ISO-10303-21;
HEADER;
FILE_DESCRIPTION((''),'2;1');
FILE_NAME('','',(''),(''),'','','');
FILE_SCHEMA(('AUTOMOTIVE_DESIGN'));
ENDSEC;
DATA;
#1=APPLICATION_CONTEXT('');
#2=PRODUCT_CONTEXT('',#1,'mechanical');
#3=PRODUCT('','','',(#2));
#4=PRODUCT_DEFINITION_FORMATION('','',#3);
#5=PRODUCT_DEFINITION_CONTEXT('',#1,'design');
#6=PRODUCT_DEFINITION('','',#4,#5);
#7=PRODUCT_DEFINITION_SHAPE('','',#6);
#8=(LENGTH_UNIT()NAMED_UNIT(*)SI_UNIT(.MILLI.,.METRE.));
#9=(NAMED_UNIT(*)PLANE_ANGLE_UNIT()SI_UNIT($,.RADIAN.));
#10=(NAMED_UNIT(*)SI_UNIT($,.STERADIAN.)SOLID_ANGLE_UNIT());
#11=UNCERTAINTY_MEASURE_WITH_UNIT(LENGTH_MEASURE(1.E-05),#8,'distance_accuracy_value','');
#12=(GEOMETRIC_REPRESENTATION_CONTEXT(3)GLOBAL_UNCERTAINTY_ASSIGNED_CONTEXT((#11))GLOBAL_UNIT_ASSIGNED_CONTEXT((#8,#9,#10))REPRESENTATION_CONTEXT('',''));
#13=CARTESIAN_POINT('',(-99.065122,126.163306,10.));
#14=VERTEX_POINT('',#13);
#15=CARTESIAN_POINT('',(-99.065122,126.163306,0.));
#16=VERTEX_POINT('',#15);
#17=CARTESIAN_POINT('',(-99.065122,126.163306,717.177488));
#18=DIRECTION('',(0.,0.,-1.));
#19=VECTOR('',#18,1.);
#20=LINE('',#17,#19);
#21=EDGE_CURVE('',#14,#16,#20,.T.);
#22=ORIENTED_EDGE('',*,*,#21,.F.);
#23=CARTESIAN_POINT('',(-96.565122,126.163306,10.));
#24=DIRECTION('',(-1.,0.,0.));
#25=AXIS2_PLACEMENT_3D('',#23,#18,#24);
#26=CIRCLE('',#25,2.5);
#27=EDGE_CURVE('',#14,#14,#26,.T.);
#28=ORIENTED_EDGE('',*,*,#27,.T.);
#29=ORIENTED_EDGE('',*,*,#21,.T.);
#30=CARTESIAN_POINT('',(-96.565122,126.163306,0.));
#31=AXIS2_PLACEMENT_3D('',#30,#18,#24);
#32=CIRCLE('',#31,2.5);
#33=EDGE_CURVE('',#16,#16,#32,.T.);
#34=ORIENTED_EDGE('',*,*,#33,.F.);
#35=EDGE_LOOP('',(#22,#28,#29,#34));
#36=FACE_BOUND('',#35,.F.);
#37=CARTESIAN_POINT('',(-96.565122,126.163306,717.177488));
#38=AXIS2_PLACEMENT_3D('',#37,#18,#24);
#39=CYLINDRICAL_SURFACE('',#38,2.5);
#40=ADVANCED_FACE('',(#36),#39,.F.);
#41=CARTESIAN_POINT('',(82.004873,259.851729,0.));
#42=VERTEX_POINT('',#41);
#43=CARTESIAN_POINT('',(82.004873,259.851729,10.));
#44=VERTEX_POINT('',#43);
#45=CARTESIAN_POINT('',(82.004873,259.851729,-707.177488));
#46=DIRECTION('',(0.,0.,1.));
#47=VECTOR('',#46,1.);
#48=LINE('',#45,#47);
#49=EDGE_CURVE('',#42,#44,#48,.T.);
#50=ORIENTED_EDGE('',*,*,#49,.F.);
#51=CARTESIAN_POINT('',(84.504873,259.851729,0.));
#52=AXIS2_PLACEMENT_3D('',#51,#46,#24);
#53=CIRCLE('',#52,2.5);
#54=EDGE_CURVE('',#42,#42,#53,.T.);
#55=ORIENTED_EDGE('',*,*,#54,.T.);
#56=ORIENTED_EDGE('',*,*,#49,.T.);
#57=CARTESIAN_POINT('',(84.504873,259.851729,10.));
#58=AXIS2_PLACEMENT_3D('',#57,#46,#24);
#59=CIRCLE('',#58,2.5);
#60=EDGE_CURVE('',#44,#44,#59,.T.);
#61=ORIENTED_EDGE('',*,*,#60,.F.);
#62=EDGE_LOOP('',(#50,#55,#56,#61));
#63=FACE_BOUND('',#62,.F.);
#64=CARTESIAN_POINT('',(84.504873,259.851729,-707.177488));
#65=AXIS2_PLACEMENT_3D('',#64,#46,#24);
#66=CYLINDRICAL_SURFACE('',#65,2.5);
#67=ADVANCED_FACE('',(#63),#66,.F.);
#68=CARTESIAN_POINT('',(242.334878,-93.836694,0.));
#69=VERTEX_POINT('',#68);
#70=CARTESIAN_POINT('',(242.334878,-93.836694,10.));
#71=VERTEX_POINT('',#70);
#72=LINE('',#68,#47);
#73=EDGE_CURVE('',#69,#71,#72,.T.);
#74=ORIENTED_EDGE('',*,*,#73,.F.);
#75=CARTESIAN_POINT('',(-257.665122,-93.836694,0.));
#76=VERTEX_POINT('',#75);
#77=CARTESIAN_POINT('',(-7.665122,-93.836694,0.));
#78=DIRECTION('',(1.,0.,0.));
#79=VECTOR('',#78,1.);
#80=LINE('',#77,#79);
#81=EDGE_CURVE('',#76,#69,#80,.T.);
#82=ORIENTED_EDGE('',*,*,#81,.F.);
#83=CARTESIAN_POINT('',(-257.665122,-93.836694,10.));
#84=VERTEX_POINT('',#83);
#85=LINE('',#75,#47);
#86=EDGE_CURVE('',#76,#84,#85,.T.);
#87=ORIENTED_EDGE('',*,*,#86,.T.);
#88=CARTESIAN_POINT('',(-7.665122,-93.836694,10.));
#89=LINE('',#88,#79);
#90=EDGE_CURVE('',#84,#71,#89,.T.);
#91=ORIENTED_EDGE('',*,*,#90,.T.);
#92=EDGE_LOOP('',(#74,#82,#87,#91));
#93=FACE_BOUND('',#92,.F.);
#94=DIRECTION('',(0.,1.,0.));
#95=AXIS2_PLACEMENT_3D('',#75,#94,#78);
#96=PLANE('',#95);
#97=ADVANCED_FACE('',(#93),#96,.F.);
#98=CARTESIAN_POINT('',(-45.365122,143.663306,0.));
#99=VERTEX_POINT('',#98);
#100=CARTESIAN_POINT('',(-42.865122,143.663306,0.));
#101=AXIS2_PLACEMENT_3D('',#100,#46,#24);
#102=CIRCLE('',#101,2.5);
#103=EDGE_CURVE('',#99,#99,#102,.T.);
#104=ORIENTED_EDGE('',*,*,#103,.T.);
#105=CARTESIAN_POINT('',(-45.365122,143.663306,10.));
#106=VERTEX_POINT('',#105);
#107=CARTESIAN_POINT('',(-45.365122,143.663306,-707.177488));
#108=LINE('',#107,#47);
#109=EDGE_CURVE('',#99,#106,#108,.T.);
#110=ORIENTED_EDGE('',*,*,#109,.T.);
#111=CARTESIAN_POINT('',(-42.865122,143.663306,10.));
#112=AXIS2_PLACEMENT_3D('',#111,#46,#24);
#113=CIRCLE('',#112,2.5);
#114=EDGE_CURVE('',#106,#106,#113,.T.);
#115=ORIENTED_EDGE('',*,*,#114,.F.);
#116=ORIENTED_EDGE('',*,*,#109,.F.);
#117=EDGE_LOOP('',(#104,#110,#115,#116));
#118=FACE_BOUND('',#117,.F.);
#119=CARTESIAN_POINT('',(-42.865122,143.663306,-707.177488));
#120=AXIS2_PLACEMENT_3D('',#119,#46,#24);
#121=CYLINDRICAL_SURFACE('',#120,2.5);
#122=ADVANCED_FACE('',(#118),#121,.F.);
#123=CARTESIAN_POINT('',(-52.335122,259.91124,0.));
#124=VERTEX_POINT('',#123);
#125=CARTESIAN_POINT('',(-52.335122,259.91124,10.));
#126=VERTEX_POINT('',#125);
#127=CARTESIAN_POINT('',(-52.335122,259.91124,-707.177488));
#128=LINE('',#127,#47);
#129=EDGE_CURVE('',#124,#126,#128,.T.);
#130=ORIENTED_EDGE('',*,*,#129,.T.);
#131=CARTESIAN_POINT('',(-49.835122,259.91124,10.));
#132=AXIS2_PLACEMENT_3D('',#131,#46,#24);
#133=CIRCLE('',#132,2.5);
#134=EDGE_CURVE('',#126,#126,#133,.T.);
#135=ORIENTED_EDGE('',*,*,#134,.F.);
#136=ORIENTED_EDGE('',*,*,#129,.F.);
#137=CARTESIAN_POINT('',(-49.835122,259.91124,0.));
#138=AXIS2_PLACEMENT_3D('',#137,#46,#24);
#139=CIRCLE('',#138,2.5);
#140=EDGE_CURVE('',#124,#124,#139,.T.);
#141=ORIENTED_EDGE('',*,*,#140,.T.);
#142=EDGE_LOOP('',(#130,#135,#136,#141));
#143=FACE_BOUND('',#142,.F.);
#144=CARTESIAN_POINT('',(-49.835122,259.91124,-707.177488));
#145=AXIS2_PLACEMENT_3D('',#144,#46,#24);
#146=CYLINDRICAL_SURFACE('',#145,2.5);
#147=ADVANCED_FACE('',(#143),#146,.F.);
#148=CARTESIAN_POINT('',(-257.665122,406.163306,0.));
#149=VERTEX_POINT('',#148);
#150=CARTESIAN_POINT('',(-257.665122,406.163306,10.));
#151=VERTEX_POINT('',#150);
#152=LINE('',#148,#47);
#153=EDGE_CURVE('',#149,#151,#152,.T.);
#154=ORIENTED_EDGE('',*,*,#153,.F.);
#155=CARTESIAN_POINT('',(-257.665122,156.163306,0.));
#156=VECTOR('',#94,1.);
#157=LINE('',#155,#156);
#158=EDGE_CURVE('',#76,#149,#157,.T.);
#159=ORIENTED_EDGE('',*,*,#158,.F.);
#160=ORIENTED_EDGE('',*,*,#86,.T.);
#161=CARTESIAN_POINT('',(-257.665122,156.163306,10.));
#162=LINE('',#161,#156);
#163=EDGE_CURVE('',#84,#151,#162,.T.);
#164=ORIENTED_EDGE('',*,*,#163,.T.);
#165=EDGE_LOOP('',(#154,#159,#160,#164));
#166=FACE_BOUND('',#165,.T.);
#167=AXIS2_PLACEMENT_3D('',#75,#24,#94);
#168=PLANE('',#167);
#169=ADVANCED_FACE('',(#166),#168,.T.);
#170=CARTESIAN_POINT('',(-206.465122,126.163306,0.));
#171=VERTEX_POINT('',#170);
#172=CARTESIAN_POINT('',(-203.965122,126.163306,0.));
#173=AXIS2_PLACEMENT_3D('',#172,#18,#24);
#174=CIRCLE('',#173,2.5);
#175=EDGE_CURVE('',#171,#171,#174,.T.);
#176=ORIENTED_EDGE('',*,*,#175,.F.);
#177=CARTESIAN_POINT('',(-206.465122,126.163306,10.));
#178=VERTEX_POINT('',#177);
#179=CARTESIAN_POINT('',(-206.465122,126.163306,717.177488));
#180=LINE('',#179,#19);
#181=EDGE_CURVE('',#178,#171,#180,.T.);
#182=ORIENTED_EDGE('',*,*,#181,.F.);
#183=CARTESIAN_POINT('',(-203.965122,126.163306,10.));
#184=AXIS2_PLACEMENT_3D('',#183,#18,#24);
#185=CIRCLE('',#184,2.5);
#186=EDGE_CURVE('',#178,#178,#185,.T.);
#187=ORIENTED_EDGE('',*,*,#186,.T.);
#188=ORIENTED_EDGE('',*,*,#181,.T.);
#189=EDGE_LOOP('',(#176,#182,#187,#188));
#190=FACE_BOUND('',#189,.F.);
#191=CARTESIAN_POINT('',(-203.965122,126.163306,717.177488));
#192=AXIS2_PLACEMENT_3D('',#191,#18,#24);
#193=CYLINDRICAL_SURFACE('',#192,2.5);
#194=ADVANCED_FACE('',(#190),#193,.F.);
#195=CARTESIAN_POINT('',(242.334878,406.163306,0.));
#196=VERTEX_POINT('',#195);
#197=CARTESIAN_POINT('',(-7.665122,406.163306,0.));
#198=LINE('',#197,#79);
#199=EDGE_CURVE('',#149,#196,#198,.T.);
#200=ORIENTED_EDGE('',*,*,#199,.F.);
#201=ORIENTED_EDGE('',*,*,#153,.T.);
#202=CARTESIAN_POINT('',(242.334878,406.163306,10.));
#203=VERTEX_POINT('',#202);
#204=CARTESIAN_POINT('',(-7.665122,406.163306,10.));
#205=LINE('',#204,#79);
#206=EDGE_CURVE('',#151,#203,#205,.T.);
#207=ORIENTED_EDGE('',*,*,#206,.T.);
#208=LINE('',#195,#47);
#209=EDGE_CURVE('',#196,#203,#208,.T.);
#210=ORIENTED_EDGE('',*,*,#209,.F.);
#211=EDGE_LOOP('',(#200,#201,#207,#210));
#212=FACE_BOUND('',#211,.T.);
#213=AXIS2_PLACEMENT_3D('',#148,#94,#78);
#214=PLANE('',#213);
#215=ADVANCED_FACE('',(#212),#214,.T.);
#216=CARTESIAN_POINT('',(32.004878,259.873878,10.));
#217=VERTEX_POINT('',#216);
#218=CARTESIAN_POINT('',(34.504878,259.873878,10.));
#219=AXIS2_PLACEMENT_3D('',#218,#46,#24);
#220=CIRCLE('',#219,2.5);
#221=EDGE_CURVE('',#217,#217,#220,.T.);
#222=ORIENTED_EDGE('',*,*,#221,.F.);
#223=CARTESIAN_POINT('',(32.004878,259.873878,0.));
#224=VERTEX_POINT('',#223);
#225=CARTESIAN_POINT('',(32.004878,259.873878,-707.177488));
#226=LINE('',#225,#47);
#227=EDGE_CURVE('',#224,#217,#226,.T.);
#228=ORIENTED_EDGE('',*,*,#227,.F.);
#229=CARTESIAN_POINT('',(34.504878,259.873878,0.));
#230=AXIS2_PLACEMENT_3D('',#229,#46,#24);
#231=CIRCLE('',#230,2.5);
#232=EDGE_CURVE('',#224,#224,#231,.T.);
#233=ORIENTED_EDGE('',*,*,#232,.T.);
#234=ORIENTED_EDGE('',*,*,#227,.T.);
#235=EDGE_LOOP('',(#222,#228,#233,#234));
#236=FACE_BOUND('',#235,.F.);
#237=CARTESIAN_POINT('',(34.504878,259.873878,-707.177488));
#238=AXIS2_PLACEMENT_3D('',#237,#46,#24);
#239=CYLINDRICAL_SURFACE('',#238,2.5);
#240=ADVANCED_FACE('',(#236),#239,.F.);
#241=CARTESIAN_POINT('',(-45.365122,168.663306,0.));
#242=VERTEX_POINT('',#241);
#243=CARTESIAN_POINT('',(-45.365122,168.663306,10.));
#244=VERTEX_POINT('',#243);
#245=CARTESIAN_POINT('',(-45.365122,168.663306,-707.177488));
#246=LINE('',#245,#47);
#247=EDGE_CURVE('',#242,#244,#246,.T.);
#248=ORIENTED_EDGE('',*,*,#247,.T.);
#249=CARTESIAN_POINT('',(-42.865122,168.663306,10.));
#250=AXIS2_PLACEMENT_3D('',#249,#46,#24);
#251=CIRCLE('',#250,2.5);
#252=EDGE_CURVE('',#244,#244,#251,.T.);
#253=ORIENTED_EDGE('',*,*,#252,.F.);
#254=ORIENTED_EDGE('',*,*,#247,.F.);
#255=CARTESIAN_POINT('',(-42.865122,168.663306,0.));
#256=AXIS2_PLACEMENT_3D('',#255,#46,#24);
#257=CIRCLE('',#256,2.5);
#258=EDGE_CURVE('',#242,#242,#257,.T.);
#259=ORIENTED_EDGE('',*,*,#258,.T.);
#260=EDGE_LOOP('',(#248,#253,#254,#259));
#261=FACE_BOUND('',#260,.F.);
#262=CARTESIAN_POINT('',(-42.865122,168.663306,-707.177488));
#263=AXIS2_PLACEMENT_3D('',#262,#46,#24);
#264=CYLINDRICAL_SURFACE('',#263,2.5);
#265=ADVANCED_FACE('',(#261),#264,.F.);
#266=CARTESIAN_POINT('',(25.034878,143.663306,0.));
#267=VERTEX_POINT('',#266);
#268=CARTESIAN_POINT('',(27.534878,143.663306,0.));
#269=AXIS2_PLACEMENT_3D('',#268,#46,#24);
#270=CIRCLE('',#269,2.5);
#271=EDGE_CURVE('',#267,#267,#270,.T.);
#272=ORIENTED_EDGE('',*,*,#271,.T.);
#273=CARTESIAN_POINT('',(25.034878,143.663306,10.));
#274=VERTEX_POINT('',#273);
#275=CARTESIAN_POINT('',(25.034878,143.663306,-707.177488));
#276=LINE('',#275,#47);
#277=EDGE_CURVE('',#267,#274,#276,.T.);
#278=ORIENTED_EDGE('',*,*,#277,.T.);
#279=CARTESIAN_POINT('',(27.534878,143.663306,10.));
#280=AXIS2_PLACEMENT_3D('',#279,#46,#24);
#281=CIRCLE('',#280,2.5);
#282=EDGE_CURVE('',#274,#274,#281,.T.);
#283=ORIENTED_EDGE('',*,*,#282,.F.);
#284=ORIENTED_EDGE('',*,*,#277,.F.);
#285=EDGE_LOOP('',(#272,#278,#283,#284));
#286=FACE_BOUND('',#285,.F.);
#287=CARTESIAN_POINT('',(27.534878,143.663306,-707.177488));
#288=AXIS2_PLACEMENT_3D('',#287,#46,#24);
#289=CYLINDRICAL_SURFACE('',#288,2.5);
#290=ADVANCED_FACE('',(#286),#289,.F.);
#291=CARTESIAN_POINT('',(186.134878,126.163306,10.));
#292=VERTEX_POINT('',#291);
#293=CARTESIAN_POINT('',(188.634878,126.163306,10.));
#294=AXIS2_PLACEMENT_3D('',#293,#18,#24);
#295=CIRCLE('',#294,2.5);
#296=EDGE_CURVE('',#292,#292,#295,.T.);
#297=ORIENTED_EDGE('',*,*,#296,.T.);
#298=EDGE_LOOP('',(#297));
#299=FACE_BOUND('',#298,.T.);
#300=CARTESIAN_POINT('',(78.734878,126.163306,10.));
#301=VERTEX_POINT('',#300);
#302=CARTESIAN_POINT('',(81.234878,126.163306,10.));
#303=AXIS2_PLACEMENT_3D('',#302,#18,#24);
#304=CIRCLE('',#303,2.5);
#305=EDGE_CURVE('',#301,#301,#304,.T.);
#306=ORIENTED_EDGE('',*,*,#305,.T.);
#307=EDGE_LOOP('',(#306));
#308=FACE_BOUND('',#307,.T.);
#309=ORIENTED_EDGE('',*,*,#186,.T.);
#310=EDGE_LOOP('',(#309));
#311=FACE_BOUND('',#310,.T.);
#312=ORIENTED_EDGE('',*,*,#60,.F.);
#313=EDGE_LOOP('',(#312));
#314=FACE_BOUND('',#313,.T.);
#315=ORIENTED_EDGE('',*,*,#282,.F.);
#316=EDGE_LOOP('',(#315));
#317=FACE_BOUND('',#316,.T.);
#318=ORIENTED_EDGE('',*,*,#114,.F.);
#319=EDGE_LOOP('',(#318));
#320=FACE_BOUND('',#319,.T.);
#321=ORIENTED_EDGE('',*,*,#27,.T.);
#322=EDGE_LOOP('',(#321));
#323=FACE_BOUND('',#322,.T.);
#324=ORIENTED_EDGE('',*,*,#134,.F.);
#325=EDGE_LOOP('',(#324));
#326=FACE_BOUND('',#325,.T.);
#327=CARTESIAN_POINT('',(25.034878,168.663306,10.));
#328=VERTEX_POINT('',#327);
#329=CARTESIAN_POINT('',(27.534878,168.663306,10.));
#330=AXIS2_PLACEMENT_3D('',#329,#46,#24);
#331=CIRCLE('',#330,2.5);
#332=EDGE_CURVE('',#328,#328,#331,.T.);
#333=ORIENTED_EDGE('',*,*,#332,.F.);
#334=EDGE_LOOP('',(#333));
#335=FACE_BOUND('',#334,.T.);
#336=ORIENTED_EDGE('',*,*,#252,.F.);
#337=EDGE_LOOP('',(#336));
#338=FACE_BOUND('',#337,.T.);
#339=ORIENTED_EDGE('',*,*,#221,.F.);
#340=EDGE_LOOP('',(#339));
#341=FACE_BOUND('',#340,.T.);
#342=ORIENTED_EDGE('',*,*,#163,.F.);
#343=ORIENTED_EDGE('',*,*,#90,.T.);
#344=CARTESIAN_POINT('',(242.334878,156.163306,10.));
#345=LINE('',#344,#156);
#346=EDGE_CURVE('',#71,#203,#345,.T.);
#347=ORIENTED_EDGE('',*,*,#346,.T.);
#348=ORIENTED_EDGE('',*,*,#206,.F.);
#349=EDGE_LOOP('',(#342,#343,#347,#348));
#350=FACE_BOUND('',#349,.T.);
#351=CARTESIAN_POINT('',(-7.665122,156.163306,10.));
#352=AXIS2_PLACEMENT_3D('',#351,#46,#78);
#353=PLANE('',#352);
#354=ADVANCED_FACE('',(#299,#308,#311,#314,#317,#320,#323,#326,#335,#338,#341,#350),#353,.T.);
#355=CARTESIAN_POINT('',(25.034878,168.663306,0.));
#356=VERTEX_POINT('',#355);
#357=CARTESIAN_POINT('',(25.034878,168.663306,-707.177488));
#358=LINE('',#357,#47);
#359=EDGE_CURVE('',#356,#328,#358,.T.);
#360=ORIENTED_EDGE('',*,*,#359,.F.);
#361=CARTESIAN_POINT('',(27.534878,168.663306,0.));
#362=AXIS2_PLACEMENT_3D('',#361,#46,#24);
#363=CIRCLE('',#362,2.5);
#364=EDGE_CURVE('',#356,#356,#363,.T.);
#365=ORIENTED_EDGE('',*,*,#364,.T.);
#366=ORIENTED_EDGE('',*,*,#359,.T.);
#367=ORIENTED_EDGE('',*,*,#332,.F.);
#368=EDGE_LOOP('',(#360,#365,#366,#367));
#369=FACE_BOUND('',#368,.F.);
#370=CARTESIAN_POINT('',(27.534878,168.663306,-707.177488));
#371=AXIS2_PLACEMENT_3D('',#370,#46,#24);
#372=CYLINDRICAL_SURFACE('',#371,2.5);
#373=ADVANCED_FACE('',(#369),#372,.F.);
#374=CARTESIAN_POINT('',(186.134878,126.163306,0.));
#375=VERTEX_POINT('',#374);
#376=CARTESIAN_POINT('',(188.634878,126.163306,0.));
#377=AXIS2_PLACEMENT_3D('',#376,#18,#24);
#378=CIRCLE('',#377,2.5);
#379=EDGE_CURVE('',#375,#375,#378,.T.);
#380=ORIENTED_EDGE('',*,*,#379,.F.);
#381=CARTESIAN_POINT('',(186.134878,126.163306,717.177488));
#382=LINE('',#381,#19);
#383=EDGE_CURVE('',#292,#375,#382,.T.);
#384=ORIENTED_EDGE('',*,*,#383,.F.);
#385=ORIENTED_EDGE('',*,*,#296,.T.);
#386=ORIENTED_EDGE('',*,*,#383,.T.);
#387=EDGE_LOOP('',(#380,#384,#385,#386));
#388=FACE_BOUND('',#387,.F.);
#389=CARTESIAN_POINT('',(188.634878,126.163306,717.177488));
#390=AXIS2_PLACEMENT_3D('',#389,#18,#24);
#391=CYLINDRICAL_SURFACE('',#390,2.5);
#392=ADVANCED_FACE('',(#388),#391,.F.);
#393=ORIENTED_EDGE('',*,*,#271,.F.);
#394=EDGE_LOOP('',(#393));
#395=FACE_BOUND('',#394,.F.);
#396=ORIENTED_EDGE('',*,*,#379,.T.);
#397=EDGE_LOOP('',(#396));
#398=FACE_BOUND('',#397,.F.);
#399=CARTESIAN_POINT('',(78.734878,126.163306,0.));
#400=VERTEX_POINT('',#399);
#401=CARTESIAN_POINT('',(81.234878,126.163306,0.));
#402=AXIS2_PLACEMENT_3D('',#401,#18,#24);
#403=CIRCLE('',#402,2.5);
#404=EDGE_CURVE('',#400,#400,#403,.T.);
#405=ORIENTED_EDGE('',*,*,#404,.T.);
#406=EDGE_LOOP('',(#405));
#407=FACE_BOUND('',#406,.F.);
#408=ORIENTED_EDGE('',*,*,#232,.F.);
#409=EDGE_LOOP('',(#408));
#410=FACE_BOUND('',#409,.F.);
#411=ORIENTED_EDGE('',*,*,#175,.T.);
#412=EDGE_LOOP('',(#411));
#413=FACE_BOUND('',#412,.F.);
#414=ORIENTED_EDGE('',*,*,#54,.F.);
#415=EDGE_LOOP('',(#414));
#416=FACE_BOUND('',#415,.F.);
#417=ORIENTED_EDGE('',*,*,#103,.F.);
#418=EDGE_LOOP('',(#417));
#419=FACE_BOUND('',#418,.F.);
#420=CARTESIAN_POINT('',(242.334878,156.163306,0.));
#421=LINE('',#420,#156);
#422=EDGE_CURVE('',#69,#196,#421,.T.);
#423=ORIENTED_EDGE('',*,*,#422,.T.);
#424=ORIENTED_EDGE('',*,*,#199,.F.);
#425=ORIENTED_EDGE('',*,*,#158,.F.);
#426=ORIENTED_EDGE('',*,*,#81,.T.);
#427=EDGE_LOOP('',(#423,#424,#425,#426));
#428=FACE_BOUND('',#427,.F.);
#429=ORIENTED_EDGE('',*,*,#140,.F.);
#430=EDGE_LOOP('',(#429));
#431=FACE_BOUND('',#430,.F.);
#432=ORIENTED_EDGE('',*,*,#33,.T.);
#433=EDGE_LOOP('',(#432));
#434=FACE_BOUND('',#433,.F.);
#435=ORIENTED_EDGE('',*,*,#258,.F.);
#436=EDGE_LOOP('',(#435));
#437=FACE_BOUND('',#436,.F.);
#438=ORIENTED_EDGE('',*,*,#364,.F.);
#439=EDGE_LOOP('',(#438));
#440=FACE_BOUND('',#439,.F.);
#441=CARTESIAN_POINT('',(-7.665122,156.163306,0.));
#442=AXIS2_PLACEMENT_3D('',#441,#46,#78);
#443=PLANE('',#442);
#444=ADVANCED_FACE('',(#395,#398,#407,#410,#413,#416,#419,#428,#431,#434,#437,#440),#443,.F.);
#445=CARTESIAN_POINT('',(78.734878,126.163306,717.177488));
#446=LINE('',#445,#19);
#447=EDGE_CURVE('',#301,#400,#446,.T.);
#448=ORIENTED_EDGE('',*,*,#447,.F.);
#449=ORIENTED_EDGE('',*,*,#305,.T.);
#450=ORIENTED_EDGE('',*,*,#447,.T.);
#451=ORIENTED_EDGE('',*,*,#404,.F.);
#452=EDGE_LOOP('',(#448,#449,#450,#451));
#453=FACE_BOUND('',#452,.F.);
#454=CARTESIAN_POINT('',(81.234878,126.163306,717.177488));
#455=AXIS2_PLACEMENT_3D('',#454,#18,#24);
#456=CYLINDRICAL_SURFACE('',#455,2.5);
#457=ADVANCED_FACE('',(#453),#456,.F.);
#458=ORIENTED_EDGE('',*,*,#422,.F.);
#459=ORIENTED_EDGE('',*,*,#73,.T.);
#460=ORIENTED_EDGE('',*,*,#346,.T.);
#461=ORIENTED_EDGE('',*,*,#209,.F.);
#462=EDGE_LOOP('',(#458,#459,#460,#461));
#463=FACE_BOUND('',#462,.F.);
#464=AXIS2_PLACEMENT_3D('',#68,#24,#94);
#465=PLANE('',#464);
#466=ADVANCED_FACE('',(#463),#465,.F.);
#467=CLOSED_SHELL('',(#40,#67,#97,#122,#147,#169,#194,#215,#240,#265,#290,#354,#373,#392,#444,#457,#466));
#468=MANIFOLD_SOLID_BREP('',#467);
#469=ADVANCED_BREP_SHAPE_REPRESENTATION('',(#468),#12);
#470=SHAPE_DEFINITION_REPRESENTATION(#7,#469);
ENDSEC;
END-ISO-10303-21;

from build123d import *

# Parameters (mm, degrees)
F0_W     = 500
F0_H     = 500
F1_DEPTH = 10
F3_D     = 5
F5_D     = 5


with BuildPart() as f1:
    # F0 (on Top) → F1 (new body)
    with BuildSketch(Plane.XY):
        with Locations((-7.665122, 156.163306)):
            Rectangle(F0_W, F0_H)
    extrude(amount=F1_DEPTH)

    # F3 (through all)
    with Locations(Plane(origin=(0, 0, 0), x_dir=(1, 0, 0), z_dir=(0, 0, -1))):
        with Locations((-42.865122, -143.663306), (27.534878, -143.663306), (27.534878, -168.663306), (-42.865122, -168.663306), (-49.835122, -259.91124), (34.504878, -259.873878), (84.504873, -259.851729)):
            Hole(F3_D / 2)

    # F5 (through all)
    with Locations(Plane.XY.offset(10)):
        with Locations((-203.965122, 126.163306), (-96.565122, 126.163306), (81.234878, 126.163306), (188.634878, 126.163306)):
            Hole(F5_D / 2)


solid = f1.part
